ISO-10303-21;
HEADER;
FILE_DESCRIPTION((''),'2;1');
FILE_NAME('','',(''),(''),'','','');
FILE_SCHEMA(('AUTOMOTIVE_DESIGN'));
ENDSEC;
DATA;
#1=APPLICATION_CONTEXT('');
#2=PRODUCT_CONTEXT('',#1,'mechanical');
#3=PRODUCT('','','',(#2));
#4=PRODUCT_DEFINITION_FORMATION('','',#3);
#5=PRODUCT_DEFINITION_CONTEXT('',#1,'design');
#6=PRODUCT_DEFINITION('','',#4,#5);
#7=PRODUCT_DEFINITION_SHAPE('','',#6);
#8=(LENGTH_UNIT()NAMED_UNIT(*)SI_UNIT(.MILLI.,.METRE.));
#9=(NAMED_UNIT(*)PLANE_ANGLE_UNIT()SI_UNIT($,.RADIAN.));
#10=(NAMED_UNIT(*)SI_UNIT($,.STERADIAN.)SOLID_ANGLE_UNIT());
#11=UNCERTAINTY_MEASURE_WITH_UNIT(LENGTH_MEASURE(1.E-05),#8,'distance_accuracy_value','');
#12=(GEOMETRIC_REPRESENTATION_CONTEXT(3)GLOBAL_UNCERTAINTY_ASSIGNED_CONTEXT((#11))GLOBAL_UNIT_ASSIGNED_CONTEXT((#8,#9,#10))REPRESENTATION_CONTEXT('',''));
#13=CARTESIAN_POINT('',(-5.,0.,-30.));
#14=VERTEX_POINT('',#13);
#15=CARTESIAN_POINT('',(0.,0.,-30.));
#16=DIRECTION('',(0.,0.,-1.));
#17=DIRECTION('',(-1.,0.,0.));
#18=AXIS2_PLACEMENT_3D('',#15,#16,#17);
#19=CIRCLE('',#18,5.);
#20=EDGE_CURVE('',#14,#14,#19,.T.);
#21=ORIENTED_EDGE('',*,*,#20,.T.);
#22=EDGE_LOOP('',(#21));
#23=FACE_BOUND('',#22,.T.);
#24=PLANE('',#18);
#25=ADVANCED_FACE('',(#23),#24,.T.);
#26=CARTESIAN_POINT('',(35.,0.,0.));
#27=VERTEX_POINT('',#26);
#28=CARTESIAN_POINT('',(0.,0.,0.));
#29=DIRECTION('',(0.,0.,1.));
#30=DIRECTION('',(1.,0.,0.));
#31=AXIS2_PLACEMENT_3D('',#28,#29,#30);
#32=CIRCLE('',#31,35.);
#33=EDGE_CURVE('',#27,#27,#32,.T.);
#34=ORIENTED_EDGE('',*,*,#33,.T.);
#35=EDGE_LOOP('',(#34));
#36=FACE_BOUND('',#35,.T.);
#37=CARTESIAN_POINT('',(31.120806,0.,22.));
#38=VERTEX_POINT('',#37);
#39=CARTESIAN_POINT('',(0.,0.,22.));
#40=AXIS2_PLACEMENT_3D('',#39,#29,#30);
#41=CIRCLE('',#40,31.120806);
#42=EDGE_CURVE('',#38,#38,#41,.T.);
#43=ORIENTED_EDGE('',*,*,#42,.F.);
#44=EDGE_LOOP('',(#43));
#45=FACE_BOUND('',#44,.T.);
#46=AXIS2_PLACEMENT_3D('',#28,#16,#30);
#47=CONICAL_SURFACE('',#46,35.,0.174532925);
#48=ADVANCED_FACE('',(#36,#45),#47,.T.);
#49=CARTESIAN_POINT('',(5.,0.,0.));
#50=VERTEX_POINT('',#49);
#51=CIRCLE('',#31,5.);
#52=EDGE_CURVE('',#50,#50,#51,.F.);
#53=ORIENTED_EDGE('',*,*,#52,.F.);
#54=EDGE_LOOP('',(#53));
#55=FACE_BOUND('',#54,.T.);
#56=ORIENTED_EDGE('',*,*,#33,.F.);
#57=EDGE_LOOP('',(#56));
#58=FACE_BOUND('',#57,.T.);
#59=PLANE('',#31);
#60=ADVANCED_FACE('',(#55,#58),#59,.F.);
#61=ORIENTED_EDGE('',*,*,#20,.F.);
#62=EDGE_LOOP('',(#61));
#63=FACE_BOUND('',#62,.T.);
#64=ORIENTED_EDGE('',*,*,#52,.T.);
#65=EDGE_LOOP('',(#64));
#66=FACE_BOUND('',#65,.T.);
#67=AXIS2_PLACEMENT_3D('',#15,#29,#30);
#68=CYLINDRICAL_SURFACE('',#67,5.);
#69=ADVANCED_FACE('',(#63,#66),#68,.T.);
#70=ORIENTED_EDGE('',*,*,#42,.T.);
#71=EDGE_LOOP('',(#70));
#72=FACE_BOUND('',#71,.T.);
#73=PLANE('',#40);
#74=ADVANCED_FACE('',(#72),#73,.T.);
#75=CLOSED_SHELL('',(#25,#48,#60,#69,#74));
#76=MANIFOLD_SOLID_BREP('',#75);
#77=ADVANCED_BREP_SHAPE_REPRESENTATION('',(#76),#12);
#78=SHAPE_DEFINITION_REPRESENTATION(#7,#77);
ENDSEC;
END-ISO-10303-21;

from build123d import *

# Parameters (mm, degrees)
SKETCH_2_R      = 35
EXTRUDE_1_DEPTH = 22
EXTRUDE_1_TAPER = 10
SKETCH_3_R      = 5
EXTRUDE_2_DEPTH = 30


with BuildPart() as part:
    # Эскиз2 → Бобышка-Вытянуть1 (new body)
    with BuildSketch(Plane.XY):
        Circle(SKETCH_2_R)
    extrude(amount=EXTRUDE_1_DEPTH, taper=EXTRUDE_1_TAPER)

    # Эскиз3 → Бобышка-Вытянуть2 (add)
    with BuildSketch(Plane(origin=(0, 0, 0), x_dir=(-1, 0, 0), z_dir=(0, 0, -1))):
        with Locations(Location((0, 0, 0), (0, 0, 180))):
            Circle(SKETCH_3_R)
    extrude(amount=EXTRUDE_2_DEPTH)


solid = part.part
